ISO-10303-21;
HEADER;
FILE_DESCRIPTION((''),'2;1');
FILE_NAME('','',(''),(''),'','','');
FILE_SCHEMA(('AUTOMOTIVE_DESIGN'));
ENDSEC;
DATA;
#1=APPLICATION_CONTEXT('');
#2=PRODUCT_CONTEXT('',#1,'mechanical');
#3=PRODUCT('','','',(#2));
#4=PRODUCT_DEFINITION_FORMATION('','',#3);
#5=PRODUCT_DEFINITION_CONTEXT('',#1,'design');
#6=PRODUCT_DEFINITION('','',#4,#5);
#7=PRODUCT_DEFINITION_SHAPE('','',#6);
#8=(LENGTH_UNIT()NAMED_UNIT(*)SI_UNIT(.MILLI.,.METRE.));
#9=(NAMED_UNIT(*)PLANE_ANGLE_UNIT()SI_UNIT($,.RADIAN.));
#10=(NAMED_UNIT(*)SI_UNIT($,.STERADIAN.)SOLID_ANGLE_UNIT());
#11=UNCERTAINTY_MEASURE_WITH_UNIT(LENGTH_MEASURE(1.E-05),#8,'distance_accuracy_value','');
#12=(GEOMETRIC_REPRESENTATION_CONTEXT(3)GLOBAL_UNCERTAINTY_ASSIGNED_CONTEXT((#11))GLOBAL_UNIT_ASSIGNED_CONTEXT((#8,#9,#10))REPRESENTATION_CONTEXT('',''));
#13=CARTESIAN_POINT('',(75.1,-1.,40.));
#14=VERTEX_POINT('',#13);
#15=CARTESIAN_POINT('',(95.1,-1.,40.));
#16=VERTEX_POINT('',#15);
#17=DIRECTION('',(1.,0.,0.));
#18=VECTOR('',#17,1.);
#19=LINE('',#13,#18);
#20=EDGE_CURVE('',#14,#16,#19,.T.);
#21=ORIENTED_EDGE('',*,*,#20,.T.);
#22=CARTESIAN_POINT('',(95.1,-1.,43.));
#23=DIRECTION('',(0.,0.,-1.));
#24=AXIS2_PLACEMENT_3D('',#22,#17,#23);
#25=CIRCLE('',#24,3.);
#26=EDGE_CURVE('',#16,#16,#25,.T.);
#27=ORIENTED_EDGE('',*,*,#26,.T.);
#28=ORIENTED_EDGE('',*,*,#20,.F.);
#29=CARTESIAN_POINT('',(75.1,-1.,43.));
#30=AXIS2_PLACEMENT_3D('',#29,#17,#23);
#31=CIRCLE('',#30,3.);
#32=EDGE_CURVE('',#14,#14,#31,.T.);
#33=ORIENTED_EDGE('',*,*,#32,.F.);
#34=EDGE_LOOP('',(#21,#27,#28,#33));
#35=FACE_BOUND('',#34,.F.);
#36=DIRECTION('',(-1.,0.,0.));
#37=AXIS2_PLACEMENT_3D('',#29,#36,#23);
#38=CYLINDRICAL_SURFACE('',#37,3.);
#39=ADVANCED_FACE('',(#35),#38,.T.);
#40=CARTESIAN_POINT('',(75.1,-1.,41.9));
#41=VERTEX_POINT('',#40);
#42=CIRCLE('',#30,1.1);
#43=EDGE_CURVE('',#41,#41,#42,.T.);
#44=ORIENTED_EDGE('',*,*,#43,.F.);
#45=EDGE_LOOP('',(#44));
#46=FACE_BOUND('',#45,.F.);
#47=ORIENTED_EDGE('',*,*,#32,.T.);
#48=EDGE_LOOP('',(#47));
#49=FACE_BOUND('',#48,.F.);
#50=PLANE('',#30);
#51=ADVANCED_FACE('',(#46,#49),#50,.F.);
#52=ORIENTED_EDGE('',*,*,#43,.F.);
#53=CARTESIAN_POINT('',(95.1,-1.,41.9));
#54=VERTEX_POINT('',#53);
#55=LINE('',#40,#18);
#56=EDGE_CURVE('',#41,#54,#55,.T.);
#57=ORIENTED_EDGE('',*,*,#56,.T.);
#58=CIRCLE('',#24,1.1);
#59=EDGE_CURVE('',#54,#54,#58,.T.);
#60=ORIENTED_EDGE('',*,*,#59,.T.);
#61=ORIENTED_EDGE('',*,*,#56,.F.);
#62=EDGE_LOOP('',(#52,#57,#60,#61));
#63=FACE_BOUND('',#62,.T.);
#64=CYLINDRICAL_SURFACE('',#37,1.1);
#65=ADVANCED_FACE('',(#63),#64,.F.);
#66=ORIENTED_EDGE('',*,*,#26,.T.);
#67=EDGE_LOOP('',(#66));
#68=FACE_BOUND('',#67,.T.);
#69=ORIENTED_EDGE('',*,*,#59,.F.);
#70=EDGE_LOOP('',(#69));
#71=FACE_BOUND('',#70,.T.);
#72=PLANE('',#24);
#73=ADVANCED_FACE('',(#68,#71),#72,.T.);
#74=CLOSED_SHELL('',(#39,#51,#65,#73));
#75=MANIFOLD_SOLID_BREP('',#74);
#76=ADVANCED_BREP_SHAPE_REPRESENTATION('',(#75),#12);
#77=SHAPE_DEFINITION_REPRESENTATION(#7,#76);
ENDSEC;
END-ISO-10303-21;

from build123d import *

# Parameters (mm, degrees)
HINGE_CYLRI_R     = 1.1
HINGE_CYLRI_DEPTH = 20
HINGE_CYLRO_R     = 3
HINGE_CYLRO_DEPTH = 20


with BuildPart() as hinge_cylri:
    # hinge_cylri → hinge_cylri (new body)
    with BuildSketch(Plane(origin=(75.1, -1, 43), x_dir=(0, 0, -1), z_dir=(1, 0, 0))):
        Circle(HINGE_CYLRI_R)
    extrude(amount=HINGE_CYLRI_DEPTH)


with BuildPart() as hinge_right:
    # hinge_cylro → hinge_cylro (new body)
    with BuildSketch(Plane(origin=(75.1, -1, 43), x_dir=(0, 0, -1), z_dir=(1, 0, 0))):
        Circle(HINGE_CYLRO_R)
    extrude(amount=HINGE_CYLRO_DEPTH)

    # hinge_right: cut hinge_cylri
    add(hinge_cylri.part, mode=Mode.SUBTRACT)


solid = hinge_right.part
